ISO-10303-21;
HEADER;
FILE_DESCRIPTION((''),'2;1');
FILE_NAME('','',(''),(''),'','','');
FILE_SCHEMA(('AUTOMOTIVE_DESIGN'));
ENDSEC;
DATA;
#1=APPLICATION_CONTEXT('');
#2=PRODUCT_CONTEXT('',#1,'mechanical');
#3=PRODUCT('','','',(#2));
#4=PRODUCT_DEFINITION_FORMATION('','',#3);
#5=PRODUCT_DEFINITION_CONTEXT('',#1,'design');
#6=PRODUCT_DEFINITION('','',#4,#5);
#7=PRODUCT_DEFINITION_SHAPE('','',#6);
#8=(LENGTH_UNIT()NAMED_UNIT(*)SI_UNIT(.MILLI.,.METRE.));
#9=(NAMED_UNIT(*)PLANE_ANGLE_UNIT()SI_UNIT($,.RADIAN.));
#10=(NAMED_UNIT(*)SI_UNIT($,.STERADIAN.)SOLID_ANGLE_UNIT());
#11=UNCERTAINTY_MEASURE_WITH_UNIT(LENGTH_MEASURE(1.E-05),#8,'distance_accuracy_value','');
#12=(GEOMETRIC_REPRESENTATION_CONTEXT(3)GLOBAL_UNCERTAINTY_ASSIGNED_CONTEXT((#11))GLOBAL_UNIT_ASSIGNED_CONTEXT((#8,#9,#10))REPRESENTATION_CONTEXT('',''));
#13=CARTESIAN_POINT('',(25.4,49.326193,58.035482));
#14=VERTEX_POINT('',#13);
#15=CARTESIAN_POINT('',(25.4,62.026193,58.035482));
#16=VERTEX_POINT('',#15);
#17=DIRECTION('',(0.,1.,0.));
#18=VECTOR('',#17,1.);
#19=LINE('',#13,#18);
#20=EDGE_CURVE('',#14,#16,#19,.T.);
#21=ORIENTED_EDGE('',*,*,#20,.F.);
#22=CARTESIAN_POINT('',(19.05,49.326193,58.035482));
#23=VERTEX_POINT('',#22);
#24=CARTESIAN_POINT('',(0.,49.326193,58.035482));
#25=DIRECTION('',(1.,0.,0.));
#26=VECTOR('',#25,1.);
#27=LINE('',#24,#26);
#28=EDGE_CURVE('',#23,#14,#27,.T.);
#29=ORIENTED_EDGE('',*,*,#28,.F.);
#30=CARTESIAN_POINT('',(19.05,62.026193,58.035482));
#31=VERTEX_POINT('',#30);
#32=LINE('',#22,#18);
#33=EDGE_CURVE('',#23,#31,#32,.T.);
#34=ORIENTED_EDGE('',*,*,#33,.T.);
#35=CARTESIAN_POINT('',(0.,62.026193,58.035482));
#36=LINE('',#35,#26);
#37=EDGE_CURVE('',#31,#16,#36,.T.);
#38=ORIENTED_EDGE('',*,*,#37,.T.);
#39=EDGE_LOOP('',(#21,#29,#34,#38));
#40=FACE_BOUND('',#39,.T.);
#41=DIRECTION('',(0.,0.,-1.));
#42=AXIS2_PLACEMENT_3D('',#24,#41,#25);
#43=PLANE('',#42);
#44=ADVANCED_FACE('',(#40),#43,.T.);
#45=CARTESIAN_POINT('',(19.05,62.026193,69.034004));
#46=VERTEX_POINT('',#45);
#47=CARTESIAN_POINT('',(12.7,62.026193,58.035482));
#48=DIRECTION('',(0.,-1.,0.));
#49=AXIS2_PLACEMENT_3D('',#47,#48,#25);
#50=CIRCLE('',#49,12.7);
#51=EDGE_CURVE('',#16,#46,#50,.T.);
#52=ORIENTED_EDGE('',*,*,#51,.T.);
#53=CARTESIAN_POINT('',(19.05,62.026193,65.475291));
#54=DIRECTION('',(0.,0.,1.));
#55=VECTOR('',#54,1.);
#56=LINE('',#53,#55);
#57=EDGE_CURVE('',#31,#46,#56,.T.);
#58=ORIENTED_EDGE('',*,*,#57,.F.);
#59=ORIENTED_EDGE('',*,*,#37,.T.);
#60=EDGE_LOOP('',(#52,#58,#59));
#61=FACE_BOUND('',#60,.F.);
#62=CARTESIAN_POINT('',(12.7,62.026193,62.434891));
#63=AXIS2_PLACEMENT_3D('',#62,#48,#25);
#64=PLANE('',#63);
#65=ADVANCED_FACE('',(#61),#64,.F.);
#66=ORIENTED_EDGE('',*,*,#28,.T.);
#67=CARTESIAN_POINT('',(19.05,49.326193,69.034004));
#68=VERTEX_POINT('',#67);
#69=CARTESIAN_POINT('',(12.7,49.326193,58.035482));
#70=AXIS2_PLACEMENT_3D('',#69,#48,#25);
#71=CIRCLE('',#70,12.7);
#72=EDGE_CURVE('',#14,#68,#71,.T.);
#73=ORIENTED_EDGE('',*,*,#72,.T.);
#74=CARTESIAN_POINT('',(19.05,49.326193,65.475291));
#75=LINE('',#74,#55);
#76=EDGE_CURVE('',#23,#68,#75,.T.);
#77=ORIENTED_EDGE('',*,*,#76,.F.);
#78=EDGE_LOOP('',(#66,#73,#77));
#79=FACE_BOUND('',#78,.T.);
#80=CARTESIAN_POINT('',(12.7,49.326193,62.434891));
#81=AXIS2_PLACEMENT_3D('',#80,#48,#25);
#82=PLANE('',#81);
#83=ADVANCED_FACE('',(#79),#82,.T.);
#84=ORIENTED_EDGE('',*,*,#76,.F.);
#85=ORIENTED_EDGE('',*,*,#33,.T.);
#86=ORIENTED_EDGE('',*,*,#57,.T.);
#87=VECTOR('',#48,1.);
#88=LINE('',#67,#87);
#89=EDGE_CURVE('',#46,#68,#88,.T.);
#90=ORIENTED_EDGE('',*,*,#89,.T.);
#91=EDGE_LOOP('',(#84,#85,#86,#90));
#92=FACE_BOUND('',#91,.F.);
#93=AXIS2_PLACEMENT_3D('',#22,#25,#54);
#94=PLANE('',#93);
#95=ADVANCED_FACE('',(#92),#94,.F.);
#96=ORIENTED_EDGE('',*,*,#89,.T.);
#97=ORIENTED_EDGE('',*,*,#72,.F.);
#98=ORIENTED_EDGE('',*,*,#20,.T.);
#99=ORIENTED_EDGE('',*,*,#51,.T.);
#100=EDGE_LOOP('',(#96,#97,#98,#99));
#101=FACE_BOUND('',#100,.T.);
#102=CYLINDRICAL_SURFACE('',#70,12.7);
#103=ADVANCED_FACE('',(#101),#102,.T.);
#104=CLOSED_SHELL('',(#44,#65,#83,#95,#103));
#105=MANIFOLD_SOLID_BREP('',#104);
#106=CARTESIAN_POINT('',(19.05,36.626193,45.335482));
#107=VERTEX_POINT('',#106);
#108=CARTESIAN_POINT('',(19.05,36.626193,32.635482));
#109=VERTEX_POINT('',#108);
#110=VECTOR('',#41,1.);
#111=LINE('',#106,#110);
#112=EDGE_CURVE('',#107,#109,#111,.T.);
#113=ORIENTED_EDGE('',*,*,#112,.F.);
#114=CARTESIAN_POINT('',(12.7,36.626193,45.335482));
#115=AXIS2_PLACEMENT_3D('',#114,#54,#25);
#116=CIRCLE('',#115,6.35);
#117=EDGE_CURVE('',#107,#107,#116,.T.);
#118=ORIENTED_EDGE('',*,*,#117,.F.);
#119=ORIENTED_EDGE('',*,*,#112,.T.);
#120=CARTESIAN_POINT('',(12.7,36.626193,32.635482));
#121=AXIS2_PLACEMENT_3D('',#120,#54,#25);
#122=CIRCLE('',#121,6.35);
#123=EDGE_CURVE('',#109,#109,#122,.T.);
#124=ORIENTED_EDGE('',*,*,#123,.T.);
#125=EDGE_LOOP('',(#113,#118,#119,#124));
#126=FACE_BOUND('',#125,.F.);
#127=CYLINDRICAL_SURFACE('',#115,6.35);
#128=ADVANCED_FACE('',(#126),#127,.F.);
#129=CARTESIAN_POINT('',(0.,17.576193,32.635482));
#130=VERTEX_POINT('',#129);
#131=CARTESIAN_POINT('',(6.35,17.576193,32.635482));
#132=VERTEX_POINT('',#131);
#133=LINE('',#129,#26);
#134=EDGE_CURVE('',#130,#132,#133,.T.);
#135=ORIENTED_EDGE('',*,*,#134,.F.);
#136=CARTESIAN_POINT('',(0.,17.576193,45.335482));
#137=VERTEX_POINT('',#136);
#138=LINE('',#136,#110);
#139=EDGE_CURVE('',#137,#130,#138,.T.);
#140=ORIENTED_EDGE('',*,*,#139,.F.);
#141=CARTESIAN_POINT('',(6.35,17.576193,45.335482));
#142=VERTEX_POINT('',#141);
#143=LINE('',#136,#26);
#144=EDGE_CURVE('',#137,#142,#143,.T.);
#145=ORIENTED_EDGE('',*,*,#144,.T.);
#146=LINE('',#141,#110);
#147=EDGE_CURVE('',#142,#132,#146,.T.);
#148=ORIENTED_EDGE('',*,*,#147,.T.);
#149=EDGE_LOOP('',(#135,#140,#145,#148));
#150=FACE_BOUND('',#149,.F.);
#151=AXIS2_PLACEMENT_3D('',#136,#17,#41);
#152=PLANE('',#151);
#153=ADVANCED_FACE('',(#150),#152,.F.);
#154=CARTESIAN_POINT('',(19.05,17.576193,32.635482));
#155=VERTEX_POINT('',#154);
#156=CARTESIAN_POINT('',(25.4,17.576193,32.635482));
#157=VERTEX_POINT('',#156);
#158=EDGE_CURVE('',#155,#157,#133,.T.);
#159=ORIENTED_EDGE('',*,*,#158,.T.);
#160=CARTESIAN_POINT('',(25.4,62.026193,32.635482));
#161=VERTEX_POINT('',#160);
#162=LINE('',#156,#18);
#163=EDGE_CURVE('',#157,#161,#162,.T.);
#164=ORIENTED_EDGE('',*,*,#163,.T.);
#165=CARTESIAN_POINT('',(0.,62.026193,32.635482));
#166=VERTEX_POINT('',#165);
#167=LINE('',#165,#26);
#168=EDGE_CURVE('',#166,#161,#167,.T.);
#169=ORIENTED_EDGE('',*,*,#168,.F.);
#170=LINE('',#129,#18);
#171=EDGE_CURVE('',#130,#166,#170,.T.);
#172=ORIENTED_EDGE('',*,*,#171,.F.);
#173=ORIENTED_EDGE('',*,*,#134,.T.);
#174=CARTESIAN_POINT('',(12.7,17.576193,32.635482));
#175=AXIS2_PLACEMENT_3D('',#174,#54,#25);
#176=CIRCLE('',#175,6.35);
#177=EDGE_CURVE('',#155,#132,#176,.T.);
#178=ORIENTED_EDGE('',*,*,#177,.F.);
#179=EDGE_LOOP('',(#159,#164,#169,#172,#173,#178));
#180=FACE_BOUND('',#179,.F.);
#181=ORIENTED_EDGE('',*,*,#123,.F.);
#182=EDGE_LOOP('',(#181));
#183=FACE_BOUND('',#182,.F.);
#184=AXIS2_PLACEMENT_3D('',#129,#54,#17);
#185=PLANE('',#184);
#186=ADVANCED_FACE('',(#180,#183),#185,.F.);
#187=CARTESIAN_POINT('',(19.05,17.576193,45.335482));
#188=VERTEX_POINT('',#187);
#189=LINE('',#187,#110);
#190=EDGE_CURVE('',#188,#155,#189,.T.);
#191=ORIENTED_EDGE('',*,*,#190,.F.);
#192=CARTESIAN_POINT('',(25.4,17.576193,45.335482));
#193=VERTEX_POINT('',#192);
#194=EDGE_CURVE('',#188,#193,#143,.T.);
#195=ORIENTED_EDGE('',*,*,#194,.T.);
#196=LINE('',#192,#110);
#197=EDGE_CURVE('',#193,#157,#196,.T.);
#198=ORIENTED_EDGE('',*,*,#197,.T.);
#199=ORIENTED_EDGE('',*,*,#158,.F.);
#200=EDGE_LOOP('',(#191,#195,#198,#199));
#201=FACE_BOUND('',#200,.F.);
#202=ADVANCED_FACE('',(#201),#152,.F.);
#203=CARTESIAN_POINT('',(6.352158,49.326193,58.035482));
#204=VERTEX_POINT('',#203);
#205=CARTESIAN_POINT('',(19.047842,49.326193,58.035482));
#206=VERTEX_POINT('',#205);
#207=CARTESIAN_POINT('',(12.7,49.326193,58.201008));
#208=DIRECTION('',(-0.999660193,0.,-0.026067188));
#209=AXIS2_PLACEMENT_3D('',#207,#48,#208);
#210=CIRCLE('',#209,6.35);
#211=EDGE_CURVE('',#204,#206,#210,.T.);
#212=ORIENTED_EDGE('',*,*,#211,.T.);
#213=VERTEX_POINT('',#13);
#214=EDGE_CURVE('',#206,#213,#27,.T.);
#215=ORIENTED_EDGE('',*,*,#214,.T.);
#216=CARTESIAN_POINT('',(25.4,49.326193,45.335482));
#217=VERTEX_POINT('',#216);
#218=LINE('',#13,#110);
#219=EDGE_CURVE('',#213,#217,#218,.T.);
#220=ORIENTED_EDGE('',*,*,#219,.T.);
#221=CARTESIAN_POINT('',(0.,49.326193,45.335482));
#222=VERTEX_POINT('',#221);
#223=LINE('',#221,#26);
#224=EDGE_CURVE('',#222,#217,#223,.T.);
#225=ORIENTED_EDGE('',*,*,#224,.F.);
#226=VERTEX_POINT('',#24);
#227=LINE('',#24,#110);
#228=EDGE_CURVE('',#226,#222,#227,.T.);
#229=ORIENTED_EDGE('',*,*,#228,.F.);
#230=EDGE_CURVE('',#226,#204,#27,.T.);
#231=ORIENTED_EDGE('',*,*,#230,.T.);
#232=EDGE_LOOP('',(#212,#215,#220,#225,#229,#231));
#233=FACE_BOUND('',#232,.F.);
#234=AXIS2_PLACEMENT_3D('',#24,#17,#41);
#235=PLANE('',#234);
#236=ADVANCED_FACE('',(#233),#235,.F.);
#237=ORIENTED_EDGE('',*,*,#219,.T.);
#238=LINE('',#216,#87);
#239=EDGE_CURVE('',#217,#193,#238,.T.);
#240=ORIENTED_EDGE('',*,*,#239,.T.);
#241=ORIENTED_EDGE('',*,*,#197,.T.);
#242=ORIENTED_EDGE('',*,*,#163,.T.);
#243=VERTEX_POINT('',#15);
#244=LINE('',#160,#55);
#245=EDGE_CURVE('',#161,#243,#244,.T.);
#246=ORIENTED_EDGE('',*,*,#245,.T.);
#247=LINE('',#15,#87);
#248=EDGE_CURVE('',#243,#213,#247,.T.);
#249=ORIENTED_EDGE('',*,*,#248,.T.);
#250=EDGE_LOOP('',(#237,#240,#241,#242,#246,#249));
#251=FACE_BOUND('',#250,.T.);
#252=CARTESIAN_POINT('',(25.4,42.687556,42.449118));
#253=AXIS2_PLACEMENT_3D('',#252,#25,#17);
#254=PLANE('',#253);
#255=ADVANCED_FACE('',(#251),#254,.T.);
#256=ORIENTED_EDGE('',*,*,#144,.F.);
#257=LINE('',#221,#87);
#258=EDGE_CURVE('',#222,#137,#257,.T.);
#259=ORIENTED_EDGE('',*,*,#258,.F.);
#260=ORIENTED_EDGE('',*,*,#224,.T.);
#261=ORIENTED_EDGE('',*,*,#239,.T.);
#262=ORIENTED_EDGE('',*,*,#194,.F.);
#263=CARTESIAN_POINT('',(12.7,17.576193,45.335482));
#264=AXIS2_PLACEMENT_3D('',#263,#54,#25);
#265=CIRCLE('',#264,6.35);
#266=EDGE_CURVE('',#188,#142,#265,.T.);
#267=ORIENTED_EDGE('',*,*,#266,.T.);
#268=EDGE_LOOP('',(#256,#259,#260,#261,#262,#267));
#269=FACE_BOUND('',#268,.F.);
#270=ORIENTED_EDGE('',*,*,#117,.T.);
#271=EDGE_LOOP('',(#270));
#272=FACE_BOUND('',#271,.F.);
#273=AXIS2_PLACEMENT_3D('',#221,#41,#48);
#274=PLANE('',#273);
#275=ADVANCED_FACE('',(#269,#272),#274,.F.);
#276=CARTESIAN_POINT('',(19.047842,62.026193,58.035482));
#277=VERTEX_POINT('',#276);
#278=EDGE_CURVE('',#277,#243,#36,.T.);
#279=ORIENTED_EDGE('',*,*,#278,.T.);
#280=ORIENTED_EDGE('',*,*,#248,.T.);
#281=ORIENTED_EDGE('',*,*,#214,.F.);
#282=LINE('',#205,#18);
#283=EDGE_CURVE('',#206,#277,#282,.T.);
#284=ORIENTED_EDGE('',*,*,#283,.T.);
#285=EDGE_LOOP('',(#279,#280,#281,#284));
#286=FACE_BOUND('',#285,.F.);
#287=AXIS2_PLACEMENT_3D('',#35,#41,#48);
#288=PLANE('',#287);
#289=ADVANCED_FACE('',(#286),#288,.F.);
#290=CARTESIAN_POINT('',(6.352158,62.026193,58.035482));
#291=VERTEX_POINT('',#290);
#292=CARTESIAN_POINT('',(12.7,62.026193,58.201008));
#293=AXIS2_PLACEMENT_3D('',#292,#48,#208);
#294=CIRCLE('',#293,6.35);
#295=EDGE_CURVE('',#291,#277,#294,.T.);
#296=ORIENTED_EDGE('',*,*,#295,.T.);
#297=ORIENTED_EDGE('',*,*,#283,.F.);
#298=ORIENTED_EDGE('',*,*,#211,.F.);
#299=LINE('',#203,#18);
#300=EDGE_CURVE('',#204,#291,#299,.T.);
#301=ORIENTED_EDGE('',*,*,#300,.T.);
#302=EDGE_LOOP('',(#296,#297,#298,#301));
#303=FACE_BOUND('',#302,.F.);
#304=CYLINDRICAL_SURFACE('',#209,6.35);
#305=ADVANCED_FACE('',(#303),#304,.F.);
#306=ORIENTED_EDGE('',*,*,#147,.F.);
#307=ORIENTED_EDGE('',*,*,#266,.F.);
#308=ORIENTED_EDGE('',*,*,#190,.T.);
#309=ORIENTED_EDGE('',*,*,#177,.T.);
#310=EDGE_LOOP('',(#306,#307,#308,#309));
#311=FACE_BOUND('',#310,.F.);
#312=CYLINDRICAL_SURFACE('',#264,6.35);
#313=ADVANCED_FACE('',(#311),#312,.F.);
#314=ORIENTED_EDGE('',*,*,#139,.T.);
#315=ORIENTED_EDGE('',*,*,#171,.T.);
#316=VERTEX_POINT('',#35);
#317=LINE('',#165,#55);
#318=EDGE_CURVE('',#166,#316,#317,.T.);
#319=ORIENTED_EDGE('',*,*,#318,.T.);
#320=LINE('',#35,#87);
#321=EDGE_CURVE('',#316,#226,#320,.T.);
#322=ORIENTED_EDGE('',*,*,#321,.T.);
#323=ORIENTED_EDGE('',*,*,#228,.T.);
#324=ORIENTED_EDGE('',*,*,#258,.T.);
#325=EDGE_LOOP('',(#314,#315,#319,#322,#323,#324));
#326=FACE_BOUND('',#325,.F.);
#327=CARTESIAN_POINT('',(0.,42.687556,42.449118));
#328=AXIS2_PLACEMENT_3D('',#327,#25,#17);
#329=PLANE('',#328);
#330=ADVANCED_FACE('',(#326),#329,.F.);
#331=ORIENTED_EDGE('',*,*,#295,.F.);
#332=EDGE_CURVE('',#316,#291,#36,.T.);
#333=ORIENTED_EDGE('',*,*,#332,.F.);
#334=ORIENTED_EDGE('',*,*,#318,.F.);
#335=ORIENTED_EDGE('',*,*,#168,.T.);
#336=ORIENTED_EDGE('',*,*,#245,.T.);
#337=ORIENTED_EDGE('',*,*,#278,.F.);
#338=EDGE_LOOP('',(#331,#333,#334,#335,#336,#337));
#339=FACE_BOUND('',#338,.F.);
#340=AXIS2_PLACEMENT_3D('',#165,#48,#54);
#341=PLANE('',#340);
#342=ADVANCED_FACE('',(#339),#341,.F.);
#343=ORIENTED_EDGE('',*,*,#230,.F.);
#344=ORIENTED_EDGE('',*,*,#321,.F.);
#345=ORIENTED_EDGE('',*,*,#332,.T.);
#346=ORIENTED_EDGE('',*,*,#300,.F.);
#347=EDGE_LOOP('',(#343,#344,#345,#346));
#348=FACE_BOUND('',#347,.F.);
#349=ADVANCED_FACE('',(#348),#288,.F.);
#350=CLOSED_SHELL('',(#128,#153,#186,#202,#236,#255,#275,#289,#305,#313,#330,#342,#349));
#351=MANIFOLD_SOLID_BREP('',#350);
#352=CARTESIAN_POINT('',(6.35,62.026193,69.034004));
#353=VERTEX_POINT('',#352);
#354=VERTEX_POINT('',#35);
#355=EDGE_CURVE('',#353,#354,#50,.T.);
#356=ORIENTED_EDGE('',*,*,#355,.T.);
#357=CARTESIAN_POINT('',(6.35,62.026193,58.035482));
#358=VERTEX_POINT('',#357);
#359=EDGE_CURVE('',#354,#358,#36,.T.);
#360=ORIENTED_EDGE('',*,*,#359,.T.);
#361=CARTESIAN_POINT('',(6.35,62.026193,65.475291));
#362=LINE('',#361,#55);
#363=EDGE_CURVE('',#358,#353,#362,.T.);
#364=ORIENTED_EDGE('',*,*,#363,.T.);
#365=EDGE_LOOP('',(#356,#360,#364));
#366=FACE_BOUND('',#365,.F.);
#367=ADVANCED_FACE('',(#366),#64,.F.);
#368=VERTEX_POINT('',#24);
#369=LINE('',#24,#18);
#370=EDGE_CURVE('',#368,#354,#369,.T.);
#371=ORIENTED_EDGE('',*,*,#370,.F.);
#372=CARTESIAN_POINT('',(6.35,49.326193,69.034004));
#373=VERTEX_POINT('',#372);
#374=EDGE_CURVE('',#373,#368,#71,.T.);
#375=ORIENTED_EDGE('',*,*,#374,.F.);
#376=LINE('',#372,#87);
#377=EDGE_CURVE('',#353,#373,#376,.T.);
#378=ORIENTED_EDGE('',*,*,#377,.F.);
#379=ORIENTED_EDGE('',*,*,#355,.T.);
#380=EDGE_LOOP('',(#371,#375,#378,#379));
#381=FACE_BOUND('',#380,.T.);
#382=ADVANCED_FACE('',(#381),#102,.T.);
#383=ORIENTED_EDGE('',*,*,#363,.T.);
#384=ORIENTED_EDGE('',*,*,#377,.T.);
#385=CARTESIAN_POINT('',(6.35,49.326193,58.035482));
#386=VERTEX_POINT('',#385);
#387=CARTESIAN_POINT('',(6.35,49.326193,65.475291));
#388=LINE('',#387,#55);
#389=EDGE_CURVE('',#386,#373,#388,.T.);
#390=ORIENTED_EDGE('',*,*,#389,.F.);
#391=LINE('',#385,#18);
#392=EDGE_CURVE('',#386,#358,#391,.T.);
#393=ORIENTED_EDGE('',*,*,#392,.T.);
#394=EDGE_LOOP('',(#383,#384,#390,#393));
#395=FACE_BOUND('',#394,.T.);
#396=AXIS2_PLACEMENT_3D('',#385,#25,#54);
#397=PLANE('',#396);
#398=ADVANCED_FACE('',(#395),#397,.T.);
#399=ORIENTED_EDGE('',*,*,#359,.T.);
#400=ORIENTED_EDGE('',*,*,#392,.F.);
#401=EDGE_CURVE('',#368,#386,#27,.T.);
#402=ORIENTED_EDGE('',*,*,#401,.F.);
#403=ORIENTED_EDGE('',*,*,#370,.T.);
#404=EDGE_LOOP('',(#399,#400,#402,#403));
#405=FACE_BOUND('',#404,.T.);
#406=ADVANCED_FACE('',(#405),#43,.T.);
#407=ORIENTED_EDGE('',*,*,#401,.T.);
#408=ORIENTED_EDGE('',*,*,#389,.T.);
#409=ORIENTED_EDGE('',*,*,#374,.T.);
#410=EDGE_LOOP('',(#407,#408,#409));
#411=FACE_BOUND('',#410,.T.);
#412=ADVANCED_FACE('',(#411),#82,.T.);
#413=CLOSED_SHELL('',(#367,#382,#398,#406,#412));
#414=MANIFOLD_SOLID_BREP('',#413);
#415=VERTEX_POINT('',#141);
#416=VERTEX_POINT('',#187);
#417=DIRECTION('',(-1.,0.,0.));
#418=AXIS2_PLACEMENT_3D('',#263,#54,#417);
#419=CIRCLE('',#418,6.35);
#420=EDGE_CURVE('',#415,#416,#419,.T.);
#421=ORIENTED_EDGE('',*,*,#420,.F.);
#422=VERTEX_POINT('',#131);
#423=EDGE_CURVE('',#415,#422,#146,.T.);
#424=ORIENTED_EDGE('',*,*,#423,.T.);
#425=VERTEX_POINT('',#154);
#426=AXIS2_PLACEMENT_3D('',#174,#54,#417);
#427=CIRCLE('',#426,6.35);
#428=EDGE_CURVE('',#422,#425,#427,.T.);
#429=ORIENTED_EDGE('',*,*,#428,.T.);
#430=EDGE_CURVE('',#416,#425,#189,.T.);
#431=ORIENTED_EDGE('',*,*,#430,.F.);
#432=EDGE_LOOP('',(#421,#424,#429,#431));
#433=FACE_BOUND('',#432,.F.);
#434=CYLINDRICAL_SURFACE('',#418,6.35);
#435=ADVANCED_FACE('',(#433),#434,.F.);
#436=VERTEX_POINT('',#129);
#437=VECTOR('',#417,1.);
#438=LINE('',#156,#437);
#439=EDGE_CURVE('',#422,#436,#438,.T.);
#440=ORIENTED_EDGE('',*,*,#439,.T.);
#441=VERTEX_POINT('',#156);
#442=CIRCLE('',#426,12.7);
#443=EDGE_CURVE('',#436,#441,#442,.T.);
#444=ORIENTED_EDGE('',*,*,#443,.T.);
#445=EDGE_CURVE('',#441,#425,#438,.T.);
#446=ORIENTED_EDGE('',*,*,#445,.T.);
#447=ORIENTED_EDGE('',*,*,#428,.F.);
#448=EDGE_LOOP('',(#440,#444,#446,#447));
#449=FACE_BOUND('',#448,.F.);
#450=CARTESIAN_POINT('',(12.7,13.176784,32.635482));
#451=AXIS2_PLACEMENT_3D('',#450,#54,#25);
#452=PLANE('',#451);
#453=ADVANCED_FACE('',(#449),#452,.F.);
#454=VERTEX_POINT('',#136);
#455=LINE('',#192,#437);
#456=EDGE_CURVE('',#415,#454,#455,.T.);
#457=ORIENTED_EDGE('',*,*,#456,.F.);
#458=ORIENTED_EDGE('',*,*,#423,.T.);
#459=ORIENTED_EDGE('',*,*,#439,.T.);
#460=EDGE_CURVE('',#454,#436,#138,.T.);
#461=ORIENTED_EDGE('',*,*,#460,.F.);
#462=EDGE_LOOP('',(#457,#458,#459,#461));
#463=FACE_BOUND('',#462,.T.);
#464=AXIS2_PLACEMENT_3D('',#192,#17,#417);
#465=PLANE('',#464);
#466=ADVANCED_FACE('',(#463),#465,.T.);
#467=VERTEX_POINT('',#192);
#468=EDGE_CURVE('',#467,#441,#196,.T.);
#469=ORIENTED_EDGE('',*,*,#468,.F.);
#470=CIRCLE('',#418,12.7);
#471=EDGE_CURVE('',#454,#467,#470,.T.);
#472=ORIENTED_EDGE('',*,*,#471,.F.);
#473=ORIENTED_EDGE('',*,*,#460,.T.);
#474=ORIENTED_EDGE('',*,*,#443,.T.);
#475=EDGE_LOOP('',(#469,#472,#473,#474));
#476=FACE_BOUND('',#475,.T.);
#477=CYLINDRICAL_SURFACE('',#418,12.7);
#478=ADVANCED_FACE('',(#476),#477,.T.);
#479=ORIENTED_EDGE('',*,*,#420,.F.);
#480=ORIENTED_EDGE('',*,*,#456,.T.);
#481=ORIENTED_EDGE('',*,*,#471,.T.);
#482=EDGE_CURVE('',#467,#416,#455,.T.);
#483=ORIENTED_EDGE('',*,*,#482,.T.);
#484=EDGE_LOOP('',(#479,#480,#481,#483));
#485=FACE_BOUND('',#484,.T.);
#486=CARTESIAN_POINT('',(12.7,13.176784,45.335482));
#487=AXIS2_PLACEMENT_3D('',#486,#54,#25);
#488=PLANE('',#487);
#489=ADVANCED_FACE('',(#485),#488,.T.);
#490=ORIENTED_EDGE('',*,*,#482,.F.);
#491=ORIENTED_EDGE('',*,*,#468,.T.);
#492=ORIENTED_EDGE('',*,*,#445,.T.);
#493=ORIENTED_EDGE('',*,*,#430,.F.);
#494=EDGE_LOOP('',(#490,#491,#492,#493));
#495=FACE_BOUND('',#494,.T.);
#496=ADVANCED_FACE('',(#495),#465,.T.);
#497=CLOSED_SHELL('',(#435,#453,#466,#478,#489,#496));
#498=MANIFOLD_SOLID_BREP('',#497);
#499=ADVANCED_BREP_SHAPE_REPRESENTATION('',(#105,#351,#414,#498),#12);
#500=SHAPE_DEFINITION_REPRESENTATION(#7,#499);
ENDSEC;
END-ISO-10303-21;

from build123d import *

# Parameters (mm, degrees)
F1_DEPTH  = 25.4
F3_DEPTH  = 12.7
F4_R      = 6.35
F5_DEPTH  = 12.7
F7_DEPTH  = 12.7
F9_DEPTH  = 12.7
F10_W     = 12.7
F10_H     = 6.35
F11_DEPTH = 12.7
F12_W     = 12.7
F12_H     = 6.35
F13_DEPTH = 12.7
F15_DEPTH = 12.7
F16_W     = 12.7
F16_H     = 14.8796178133
F17_DEPTH = 12.7


with BuildPart() as f1:
    # F0 (on Right) → F1 (new body)
    with BuildSketch(Plane.YZ):
        Polygon((62.0261926534, 32.6354817479), (62.0261926534, 58.0354817479), (49.3261926534, 58.0354817479), (49.3261926534, 45.3354817479), (17.5761926534, 45.3354817479), (17.5761926534, 32.6354817479), align=None)
    extrude(amount=F1_DEPTH)

    # F4 (on face) → F5 (cut)
    with BuildSketch(Plane.XY.offset(45.3354817479)):
        with Locations((12.7, 36.6261926534)):
            Circle(F4_R)
        with BuildLine():
            Line((6.35, 17.5761926534), (19.05, 17.5761926534))
            ThreePointArc((19.05, 17.5761926534), (12.7, 23.9261926534), (6.35, 17.5761926534))
        make_face()
    extrude(amount=-F5_DEPTH, mode=Mode.SUBTRACT)

    # F8 (on face) → F9 (cut)
    with BuildSketch(Plane.XZ.offset(-49.3261926534)):
        with BuildLine():
            Line((19.0478422263, 58.0354817479), (6.3521577737, 58.0354817479))
            ThreePointArc((6.3521577737, 58.0354817479), (12.7, 51.8510083924), (19.0478422263, 58.0354817479))
        make_face()
    extrude(amount=-F9_DEPTH, mode=Mode.SUBTRACT)

    # F10 (on Front) → F11 (cut)
    with BuildSketch(Plane.XZ):
        with Locations((12.7, 61.1516664074)):
            Rectangle(F10_W, F10_H)
    extrude(amount=-F11_DEPTH, mode=Mode.SUBTRACT)

    # F12 (on Front) → F13 (cut)
    with BuildSketch(Plane.XZ):
        with Locations((12.7, 61.4645087423)):
            Rectangle(F12_W, F12_H)
    extrude(amount=-F13_DEPTH, mode=Mode.SUBTRACT)


with BuildPart() as f3:
    # F2 (on face) → F3 (new body)
    with BuildSketch(Plane.XY.offset(45.3354817479)):
        with BuildLine():
            Line((25.4, 17.5761926534), (0, 17.5761926534))
            ThreePointArc((0, 17.5761926534), (12.7, 4.8761926534), (25.4, 17.5761926534))
        make_face()
    extrude(amount=-F3_DEPTH)

    # F6 (on face) → F7 (cut)
    with BuildSketch(Plane.XY.offset(45.3354817479)):
        with BuildLine():
            ThreePointArc((6.35, 17.5761926534), (12.7, 11.2261926534), (19.05, 17.5761926534))
            Line((19.05, 17.5761926534), (6.35, 17.5761926534))
        make_face()
    extrude(amount=-F7_DEPTH, mode=Mode.SUBTRACT)


with BuildPart() as f15:
    # F14 (on face) → F15 (new body)
    with BuildSketch(Plane.XZ.offset(-49.3261926534)):
        with BuildLine():
            Line((0, 58.0354817479), (25.4, 58.0354817479))
            ThreePointArc((25.4, 58.0354817479), (12.7, 70.7354817479), (0, 58.0354817479))
        make_face()
    extrude(amount=-F15_DEPTH)

    # F16 (on face) → F17 (cut)
    with BuildSketch(Plane.XZ.offset(-49.3261926534)):
        with Locations((12.7, 65.4752906545)):
            Rectangle(F16_W, F16_H)
    extrude(amount=-F17_DEPTH, mode=Mode.SUBTRACT)


solid = Compound([f1.part, f3.part, f15.part])
